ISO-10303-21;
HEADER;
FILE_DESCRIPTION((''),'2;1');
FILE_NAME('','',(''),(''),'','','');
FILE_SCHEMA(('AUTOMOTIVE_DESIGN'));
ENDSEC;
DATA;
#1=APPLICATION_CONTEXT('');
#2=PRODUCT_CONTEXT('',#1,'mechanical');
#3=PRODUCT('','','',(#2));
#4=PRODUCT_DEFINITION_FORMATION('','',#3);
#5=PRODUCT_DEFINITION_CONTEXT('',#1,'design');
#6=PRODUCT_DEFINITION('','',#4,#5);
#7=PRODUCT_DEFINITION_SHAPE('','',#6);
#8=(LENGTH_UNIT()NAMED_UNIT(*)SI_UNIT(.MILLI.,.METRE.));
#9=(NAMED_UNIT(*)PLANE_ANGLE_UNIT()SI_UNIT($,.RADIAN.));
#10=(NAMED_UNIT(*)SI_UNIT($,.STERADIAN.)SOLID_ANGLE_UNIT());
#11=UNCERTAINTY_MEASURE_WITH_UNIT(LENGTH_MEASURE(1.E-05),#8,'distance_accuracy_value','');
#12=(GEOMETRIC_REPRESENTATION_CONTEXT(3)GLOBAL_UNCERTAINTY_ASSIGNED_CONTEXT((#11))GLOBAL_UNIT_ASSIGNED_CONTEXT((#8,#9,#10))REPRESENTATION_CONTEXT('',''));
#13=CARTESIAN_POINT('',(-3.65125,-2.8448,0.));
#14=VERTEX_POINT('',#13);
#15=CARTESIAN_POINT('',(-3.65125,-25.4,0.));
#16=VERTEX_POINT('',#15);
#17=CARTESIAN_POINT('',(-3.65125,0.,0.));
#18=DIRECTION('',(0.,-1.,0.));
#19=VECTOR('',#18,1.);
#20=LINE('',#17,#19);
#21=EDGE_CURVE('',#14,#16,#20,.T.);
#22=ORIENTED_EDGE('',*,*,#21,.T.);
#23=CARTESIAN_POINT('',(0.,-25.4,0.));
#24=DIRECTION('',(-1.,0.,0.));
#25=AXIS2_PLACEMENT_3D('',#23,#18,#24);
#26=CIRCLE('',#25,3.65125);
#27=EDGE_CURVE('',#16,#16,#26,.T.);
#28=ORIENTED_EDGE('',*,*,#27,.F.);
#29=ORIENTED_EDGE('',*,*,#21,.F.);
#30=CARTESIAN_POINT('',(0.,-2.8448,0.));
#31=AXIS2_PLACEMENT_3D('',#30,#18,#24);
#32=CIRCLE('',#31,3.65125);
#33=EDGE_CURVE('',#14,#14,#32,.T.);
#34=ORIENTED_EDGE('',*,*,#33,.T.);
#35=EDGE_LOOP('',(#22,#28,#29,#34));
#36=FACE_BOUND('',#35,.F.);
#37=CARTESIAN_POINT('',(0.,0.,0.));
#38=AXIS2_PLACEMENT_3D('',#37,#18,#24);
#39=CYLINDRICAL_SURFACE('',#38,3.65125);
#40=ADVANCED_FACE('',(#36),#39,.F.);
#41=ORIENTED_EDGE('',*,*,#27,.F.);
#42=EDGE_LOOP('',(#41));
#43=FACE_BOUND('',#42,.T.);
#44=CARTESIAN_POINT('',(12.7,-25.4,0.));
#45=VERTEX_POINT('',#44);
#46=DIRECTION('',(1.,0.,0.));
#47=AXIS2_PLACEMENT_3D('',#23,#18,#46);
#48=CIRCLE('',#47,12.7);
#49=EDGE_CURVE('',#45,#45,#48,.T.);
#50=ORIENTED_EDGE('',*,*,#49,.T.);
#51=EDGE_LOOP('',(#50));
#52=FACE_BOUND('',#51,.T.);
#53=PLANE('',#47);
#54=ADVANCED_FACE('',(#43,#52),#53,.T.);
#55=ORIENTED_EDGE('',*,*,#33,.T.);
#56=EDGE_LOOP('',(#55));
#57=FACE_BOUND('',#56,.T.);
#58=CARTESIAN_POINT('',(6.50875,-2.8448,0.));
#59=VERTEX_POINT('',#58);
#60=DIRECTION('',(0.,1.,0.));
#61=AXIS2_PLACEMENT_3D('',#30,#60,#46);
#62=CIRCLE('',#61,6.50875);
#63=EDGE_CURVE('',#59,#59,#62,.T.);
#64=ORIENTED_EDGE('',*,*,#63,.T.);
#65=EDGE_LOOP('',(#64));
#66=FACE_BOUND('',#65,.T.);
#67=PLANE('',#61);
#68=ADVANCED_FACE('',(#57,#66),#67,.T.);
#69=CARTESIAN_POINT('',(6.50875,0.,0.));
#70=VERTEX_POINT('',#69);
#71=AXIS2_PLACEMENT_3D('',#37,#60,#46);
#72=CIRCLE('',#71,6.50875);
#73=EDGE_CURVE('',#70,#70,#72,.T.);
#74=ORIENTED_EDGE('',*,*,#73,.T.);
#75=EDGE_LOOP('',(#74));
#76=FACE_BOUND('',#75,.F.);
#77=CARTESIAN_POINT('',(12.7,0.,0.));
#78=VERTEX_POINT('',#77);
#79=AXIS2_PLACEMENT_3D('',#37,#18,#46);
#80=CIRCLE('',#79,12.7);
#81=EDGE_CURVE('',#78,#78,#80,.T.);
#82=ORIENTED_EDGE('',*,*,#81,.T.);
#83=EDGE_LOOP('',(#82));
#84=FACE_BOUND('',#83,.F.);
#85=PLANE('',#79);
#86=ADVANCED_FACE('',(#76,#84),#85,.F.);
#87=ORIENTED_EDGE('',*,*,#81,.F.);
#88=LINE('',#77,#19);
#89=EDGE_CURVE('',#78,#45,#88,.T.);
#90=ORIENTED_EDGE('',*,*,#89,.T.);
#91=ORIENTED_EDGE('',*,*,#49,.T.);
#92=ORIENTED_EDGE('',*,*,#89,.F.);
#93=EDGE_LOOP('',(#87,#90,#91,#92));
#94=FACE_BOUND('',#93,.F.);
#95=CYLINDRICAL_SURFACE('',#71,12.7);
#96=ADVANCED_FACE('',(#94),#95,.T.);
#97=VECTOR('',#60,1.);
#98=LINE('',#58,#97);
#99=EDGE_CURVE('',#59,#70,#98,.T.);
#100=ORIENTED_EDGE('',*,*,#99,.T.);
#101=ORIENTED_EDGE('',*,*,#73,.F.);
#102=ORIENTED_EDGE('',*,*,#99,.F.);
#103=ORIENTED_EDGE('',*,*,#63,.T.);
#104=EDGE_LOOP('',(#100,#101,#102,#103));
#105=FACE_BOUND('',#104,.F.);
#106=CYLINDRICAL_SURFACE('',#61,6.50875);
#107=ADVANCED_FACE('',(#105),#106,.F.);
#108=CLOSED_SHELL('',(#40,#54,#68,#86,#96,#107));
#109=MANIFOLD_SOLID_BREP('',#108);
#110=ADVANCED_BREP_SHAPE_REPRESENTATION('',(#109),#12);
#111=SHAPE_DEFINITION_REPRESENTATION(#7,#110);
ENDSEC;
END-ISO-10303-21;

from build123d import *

# Parameters (mm, degrees)
F0_R           = 12.7
F1_DEPTH       = 25.4
F2_D           = 7.3025
F2_CBORE_D     = 13.0175
F2_CBORE_DEPTH = 2.8448


with BuildPart() as f1:
    # F0 (on Front) → F1 (new body)
    with BuildSketch(Plane.XZ):
        Circle(F0_R)
    extrude(amount=F1_DEPTH)

    # F2 (through all)
    with Locations(Plane(origin=(0, 0, 0), x_dir=(1, 0, 0), z_dir=(0, 1, 0))):
        with Locations((0, 0)):
            CounterBoreHole(F2_D / 2, F2_CBORE_D / 2, F2_CBORE_DEPTH)


solid = f1.part
